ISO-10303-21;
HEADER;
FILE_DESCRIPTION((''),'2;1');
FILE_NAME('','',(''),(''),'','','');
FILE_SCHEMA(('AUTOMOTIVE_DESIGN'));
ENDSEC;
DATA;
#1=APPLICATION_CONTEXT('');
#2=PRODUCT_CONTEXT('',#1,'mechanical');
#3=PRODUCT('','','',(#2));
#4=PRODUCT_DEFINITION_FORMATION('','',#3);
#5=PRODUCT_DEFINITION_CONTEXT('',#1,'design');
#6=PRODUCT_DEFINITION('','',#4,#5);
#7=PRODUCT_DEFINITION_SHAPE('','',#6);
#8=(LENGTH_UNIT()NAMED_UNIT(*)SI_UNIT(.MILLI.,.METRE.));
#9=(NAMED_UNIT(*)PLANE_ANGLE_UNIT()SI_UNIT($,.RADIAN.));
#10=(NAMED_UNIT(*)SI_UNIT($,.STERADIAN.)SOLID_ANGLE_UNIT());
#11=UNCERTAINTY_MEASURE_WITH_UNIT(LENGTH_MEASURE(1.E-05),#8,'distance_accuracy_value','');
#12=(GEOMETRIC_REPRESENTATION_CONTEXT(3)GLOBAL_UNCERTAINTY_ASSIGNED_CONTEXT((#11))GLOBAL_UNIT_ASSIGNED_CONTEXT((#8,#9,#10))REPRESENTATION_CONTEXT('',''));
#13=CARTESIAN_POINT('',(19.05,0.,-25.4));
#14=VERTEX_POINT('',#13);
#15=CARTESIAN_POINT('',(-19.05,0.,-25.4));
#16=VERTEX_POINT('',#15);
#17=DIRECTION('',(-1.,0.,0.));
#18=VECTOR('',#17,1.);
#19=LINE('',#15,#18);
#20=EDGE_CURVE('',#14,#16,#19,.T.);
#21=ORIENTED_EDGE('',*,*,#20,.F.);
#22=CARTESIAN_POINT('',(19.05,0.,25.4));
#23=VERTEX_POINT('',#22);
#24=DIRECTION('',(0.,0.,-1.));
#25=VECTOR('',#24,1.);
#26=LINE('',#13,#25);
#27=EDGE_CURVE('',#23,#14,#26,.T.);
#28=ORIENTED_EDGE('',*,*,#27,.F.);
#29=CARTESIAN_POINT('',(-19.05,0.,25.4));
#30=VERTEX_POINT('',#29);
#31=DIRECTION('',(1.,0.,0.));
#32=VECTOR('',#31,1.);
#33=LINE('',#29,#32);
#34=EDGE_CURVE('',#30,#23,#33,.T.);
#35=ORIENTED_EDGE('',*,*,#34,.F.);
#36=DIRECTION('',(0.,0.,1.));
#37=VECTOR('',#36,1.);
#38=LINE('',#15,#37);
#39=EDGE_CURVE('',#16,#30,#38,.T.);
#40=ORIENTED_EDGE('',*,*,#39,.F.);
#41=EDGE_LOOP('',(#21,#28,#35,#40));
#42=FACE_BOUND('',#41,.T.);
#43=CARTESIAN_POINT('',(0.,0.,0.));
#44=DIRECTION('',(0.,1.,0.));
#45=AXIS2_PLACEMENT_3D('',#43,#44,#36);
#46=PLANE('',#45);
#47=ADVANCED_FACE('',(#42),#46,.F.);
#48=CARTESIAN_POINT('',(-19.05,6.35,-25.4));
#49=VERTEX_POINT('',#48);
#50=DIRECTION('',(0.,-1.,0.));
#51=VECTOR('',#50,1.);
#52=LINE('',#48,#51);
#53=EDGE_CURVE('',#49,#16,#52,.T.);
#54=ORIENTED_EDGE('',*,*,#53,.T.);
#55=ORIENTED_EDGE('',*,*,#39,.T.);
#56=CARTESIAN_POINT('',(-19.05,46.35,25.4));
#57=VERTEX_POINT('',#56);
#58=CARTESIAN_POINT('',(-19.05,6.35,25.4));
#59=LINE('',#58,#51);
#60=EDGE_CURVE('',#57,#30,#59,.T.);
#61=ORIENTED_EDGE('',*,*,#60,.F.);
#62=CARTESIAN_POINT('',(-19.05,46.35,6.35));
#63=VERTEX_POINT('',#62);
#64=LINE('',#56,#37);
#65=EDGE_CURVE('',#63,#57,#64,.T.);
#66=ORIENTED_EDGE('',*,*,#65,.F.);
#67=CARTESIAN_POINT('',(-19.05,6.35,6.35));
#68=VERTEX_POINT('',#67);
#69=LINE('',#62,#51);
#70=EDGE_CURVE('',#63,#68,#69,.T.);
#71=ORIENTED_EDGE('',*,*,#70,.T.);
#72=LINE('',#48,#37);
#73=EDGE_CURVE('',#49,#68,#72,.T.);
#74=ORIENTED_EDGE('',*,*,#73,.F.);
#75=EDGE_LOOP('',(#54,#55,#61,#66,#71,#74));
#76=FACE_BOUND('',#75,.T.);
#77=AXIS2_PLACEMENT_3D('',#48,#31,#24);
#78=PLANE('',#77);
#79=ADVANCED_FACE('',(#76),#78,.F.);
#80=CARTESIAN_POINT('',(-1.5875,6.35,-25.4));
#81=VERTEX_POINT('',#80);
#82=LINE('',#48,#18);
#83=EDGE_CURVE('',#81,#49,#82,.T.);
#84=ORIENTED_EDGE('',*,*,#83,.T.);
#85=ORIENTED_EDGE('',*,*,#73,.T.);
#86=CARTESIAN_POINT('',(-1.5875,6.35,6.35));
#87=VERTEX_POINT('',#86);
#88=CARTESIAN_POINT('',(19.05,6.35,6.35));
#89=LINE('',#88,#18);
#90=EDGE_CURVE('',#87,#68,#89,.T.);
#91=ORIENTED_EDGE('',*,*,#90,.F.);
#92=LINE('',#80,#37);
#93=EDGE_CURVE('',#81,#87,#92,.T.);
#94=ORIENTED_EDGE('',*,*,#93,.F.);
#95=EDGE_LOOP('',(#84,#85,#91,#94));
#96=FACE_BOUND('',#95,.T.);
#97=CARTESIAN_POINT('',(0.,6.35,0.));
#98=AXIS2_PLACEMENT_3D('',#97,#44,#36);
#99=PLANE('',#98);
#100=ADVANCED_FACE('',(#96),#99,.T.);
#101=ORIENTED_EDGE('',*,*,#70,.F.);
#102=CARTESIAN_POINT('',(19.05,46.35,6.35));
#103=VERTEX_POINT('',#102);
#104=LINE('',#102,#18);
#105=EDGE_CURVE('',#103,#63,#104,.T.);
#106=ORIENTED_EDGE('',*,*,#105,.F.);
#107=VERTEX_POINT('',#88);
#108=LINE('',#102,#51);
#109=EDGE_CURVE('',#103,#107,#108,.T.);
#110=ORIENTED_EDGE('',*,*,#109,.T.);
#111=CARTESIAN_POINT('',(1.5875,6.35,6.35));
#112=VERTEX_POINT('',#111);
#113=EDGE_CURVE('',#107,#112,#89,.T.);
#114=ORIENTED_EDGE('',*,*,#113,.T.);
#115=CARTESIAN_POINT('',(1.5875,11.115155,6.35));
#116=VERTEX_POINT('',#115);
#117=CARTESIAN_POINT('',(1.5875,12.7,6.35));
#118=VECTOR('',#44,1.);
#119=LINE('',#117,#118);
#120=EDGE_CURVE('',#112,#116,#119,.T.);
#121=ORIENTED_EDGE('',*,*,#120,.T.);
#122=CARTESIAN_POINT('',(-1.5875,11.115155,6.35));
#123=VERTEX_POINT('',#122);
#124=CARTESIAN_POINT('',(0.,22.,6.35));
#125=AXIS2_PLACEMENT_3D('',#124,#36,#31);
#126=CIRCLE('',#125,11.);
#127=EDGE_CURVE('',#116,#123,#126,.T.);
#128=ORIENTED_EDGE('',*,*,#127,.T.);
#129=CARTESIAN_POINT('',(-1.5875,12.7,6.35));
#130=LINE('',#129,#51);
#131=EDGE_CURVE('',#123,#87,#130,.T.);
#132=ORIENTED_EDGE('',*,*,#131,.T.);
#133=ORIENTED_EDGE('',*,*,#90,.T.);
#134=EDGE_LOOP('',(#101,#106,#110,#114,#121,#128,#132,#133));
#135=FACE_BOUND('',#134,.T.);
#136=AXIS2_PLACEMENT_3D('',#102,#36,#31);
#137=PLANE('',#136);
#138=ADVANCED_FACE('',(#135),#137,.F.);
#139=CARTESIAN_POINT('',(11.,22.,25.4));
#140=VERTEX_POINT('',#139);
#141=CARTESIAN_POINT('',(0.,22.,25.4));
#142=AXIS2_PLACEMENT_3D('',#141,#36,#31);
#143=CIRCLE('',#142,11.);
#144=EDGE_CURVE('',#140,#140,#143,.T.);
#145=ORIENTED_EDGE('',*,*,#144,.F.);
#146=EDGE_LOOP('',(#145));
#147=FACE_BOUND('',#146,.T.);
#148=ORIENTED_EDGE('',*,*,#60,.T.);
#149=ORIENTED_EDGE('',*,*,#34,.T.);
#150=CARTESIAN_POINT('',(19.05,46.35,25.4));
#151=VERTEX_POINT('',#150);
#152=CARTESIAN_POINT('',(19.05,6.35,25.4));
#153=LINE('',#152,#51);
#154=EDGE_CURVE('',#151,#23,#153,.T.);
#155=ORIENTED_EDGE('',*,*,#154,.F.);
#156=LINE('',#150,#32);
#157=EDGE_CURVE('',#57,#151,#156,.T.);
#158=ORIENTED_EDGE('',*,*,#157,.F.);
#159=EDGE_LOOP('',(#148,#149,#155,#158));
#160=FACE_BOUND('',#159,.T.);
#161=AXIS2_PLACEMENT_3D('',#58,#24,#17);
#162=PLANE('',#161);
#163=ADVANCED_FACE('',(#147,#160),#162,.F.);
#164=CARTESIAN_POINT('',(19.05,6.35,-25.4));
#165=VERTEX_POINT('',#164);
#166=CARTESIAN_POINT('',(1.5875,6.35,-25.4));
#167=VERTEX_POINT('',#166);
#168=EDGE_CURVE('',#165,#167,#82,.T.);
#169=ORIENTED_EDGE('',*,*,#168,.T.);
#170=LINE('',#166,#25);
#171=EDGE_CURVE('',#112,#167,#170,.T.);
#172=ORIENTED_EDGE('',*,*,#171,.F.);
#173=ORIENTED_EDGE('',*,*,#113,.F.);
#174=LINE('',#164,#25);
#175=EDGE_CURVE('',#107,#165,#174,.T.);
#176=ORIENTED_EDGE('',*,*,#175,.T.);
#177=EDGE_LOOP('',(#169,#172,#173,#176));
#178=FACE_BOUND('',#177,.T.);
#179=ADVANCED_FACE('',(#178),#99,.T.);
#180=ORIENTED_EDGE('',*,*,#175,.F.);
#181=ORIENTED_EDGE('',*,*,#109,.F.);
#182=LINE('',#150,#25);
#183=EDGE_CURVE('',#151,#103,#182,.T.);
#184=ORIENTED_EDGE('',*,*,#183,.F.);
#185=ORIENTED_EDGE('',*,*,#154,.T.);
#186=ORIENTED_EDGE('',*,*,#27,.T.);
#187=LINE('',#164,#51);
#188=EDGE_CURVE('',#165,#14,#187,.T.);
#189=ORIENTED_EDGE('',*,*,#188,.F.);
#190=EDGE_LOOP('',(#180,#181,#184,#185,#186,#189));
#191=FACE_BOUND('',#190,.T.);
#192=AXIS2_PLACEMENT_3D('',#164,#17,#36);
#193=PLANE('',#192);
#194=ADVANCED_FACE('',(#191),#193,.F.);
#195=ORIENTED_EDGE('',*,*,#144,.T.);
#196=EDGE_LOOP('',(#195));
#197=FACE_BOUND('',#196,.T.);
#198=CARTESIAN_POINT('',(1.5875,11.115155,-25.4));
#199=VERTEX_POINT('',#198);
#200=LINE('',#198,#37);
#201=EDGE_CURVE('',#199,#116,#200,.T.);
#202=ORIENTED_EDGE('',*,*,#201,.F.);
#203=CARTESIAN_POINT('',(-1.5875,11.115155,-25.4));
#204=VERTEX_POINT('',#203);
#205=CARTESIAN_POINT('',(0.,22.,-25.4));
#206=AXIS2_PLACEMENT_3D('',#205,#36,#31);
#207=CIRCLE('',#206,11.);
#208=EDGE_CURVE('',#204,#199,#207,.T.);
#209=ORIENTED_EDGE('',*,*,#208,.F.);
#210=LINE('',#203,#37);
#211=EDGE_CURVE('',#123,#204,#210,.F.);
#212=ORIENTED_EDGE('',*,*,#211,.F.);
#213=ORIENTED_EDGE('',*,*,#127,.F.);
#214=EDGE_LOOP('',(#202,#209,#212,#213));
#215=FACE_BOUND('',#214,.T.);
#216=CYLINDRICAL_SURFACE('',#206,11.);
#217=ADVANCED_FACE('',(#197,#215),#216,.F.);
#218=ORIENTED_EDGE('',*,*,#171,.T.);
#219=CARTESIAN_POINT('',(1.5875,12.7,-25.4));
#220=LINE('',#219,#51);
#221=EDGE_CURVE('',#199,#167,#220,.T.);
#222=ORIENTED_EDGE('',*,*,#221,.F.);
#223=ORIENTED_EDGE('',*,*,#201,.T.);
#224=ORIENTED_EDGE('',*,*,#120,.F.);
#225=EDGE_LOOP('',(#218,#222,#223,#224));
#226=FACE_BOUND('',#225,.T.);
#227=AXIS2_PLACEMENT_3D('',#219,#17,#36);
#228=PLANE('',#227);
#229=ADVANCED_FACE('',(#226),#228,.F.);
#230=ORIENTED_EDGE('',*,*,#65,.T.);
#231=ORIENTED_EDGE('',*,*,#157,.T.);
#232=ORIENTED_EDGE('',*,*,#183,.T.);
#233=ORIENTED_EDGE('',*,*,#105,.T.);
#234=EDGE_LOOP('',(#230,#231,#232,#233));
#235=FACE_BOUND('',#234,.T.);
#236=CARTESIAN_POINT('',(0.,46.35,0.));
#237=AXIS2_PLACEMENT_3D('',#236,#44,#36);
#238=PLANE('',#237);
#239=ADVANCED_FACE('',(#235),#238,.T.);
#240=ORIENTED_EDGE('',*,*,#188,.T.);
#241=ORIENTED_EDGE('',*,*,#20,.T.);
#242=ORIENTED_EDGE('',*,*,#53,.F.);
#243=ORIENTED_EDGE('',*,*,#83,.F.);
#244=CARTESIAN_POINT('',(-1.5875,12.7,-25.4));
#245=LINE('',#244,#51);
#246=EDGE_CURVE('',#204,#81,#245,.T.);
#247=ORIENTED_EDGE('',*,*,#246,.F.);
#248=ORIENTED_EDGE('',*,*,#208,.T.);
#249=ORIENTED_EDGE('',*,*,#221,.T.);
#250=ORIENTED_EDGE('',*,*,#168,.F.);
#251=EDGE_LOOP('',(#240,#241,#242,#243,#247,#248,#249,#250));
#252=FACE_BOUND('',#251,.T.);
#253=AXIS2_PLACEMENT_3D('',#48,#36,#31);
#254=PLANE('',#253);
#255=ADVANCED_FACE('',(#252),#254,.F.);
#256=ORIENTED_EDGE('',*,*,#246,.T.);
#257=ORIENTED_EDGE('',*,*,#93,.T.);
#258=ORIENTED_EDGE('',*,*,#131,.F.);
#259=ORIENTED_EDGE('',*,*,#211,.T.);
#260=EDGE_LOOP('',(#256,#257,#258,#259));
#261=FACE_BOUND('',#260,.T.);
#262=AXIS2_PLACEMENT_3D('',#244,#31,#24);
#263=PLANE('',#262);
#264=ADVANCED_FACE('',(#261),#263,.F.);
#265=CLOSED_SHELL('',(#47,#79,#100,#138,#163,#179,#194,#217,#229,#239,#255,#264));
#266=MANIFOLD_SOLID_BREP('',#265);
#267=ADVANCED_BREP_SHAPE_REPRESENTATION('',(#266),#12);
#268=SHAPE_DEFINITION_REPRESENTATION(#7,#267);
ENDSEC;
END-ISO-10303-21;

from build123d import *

# Parameters (mm, degrees)
SKETCH1_W           = 38.1
SKETCH1_H           = 50.8
BOSS_EXTRUDE1_DEPTH = 6.35
SKETCH2_W           = 3.175
SKETCH2_H           = 50.8
BOSS_EXTRUDE2_DEPTH = 6.35
SKETCH3_W           = 38.1
SKETCH3_H           = 19.05
BOSS_EXTRUDE3_DEPTH = 40
SKETCH4_R           = 11
CUT_EXTRUDE1_DEPTH  = 72.357305162


with BuildPart() as part:
    # Sketch1 → Boss-Extrude1 (new body)
    with BuildSketch(Plane(origin=(0, 0, 0), x_dir=(1, 0, 0), z_dir=(0, 1, 0))):
        Rectangle(SKETCH1_W, SKETCH1_H)
    extrude(amount=BOSS_EXTRUDE1_DEPTH)

    # Sketch2 → Boss-Extrude2 (add)
    with BuildSketch(Plane(origin=(0, 6.35, 0), x_dir=(1, 0, 0), z_dir=(0, 1, 0))):
        Rectangle(SKETCH2_W, SKETCH2_H)
    extrude(amount=BOSS_EXTRUDE2_DEPTH)

    # Sketch3 → Boss-Extrude3 (add)
    with BuildSketch(Plane(origin=(0, 6.35, 0), x_dir=(1, 0, 0), z_dir=(0, 1, 0))):
        with Locations((0, -15.875)):
            Rectangle(SKETCH3_W, SKETCH3_H)
    extrude(amount=BOSS_EXTRUDE3_DEPTH)

    # Sketch4 → Cut-Extrude1 (cut, through all)
    with BuildSketch(Plane.XY.offset(25.4)):
        with Locations((0, 22)):
            Circle(SKETCH4_R)
    extrude(amount=-CUT_EXTRUDE1_DEPTH, mode=Mode.SUBTRACT)


solid = part.part
